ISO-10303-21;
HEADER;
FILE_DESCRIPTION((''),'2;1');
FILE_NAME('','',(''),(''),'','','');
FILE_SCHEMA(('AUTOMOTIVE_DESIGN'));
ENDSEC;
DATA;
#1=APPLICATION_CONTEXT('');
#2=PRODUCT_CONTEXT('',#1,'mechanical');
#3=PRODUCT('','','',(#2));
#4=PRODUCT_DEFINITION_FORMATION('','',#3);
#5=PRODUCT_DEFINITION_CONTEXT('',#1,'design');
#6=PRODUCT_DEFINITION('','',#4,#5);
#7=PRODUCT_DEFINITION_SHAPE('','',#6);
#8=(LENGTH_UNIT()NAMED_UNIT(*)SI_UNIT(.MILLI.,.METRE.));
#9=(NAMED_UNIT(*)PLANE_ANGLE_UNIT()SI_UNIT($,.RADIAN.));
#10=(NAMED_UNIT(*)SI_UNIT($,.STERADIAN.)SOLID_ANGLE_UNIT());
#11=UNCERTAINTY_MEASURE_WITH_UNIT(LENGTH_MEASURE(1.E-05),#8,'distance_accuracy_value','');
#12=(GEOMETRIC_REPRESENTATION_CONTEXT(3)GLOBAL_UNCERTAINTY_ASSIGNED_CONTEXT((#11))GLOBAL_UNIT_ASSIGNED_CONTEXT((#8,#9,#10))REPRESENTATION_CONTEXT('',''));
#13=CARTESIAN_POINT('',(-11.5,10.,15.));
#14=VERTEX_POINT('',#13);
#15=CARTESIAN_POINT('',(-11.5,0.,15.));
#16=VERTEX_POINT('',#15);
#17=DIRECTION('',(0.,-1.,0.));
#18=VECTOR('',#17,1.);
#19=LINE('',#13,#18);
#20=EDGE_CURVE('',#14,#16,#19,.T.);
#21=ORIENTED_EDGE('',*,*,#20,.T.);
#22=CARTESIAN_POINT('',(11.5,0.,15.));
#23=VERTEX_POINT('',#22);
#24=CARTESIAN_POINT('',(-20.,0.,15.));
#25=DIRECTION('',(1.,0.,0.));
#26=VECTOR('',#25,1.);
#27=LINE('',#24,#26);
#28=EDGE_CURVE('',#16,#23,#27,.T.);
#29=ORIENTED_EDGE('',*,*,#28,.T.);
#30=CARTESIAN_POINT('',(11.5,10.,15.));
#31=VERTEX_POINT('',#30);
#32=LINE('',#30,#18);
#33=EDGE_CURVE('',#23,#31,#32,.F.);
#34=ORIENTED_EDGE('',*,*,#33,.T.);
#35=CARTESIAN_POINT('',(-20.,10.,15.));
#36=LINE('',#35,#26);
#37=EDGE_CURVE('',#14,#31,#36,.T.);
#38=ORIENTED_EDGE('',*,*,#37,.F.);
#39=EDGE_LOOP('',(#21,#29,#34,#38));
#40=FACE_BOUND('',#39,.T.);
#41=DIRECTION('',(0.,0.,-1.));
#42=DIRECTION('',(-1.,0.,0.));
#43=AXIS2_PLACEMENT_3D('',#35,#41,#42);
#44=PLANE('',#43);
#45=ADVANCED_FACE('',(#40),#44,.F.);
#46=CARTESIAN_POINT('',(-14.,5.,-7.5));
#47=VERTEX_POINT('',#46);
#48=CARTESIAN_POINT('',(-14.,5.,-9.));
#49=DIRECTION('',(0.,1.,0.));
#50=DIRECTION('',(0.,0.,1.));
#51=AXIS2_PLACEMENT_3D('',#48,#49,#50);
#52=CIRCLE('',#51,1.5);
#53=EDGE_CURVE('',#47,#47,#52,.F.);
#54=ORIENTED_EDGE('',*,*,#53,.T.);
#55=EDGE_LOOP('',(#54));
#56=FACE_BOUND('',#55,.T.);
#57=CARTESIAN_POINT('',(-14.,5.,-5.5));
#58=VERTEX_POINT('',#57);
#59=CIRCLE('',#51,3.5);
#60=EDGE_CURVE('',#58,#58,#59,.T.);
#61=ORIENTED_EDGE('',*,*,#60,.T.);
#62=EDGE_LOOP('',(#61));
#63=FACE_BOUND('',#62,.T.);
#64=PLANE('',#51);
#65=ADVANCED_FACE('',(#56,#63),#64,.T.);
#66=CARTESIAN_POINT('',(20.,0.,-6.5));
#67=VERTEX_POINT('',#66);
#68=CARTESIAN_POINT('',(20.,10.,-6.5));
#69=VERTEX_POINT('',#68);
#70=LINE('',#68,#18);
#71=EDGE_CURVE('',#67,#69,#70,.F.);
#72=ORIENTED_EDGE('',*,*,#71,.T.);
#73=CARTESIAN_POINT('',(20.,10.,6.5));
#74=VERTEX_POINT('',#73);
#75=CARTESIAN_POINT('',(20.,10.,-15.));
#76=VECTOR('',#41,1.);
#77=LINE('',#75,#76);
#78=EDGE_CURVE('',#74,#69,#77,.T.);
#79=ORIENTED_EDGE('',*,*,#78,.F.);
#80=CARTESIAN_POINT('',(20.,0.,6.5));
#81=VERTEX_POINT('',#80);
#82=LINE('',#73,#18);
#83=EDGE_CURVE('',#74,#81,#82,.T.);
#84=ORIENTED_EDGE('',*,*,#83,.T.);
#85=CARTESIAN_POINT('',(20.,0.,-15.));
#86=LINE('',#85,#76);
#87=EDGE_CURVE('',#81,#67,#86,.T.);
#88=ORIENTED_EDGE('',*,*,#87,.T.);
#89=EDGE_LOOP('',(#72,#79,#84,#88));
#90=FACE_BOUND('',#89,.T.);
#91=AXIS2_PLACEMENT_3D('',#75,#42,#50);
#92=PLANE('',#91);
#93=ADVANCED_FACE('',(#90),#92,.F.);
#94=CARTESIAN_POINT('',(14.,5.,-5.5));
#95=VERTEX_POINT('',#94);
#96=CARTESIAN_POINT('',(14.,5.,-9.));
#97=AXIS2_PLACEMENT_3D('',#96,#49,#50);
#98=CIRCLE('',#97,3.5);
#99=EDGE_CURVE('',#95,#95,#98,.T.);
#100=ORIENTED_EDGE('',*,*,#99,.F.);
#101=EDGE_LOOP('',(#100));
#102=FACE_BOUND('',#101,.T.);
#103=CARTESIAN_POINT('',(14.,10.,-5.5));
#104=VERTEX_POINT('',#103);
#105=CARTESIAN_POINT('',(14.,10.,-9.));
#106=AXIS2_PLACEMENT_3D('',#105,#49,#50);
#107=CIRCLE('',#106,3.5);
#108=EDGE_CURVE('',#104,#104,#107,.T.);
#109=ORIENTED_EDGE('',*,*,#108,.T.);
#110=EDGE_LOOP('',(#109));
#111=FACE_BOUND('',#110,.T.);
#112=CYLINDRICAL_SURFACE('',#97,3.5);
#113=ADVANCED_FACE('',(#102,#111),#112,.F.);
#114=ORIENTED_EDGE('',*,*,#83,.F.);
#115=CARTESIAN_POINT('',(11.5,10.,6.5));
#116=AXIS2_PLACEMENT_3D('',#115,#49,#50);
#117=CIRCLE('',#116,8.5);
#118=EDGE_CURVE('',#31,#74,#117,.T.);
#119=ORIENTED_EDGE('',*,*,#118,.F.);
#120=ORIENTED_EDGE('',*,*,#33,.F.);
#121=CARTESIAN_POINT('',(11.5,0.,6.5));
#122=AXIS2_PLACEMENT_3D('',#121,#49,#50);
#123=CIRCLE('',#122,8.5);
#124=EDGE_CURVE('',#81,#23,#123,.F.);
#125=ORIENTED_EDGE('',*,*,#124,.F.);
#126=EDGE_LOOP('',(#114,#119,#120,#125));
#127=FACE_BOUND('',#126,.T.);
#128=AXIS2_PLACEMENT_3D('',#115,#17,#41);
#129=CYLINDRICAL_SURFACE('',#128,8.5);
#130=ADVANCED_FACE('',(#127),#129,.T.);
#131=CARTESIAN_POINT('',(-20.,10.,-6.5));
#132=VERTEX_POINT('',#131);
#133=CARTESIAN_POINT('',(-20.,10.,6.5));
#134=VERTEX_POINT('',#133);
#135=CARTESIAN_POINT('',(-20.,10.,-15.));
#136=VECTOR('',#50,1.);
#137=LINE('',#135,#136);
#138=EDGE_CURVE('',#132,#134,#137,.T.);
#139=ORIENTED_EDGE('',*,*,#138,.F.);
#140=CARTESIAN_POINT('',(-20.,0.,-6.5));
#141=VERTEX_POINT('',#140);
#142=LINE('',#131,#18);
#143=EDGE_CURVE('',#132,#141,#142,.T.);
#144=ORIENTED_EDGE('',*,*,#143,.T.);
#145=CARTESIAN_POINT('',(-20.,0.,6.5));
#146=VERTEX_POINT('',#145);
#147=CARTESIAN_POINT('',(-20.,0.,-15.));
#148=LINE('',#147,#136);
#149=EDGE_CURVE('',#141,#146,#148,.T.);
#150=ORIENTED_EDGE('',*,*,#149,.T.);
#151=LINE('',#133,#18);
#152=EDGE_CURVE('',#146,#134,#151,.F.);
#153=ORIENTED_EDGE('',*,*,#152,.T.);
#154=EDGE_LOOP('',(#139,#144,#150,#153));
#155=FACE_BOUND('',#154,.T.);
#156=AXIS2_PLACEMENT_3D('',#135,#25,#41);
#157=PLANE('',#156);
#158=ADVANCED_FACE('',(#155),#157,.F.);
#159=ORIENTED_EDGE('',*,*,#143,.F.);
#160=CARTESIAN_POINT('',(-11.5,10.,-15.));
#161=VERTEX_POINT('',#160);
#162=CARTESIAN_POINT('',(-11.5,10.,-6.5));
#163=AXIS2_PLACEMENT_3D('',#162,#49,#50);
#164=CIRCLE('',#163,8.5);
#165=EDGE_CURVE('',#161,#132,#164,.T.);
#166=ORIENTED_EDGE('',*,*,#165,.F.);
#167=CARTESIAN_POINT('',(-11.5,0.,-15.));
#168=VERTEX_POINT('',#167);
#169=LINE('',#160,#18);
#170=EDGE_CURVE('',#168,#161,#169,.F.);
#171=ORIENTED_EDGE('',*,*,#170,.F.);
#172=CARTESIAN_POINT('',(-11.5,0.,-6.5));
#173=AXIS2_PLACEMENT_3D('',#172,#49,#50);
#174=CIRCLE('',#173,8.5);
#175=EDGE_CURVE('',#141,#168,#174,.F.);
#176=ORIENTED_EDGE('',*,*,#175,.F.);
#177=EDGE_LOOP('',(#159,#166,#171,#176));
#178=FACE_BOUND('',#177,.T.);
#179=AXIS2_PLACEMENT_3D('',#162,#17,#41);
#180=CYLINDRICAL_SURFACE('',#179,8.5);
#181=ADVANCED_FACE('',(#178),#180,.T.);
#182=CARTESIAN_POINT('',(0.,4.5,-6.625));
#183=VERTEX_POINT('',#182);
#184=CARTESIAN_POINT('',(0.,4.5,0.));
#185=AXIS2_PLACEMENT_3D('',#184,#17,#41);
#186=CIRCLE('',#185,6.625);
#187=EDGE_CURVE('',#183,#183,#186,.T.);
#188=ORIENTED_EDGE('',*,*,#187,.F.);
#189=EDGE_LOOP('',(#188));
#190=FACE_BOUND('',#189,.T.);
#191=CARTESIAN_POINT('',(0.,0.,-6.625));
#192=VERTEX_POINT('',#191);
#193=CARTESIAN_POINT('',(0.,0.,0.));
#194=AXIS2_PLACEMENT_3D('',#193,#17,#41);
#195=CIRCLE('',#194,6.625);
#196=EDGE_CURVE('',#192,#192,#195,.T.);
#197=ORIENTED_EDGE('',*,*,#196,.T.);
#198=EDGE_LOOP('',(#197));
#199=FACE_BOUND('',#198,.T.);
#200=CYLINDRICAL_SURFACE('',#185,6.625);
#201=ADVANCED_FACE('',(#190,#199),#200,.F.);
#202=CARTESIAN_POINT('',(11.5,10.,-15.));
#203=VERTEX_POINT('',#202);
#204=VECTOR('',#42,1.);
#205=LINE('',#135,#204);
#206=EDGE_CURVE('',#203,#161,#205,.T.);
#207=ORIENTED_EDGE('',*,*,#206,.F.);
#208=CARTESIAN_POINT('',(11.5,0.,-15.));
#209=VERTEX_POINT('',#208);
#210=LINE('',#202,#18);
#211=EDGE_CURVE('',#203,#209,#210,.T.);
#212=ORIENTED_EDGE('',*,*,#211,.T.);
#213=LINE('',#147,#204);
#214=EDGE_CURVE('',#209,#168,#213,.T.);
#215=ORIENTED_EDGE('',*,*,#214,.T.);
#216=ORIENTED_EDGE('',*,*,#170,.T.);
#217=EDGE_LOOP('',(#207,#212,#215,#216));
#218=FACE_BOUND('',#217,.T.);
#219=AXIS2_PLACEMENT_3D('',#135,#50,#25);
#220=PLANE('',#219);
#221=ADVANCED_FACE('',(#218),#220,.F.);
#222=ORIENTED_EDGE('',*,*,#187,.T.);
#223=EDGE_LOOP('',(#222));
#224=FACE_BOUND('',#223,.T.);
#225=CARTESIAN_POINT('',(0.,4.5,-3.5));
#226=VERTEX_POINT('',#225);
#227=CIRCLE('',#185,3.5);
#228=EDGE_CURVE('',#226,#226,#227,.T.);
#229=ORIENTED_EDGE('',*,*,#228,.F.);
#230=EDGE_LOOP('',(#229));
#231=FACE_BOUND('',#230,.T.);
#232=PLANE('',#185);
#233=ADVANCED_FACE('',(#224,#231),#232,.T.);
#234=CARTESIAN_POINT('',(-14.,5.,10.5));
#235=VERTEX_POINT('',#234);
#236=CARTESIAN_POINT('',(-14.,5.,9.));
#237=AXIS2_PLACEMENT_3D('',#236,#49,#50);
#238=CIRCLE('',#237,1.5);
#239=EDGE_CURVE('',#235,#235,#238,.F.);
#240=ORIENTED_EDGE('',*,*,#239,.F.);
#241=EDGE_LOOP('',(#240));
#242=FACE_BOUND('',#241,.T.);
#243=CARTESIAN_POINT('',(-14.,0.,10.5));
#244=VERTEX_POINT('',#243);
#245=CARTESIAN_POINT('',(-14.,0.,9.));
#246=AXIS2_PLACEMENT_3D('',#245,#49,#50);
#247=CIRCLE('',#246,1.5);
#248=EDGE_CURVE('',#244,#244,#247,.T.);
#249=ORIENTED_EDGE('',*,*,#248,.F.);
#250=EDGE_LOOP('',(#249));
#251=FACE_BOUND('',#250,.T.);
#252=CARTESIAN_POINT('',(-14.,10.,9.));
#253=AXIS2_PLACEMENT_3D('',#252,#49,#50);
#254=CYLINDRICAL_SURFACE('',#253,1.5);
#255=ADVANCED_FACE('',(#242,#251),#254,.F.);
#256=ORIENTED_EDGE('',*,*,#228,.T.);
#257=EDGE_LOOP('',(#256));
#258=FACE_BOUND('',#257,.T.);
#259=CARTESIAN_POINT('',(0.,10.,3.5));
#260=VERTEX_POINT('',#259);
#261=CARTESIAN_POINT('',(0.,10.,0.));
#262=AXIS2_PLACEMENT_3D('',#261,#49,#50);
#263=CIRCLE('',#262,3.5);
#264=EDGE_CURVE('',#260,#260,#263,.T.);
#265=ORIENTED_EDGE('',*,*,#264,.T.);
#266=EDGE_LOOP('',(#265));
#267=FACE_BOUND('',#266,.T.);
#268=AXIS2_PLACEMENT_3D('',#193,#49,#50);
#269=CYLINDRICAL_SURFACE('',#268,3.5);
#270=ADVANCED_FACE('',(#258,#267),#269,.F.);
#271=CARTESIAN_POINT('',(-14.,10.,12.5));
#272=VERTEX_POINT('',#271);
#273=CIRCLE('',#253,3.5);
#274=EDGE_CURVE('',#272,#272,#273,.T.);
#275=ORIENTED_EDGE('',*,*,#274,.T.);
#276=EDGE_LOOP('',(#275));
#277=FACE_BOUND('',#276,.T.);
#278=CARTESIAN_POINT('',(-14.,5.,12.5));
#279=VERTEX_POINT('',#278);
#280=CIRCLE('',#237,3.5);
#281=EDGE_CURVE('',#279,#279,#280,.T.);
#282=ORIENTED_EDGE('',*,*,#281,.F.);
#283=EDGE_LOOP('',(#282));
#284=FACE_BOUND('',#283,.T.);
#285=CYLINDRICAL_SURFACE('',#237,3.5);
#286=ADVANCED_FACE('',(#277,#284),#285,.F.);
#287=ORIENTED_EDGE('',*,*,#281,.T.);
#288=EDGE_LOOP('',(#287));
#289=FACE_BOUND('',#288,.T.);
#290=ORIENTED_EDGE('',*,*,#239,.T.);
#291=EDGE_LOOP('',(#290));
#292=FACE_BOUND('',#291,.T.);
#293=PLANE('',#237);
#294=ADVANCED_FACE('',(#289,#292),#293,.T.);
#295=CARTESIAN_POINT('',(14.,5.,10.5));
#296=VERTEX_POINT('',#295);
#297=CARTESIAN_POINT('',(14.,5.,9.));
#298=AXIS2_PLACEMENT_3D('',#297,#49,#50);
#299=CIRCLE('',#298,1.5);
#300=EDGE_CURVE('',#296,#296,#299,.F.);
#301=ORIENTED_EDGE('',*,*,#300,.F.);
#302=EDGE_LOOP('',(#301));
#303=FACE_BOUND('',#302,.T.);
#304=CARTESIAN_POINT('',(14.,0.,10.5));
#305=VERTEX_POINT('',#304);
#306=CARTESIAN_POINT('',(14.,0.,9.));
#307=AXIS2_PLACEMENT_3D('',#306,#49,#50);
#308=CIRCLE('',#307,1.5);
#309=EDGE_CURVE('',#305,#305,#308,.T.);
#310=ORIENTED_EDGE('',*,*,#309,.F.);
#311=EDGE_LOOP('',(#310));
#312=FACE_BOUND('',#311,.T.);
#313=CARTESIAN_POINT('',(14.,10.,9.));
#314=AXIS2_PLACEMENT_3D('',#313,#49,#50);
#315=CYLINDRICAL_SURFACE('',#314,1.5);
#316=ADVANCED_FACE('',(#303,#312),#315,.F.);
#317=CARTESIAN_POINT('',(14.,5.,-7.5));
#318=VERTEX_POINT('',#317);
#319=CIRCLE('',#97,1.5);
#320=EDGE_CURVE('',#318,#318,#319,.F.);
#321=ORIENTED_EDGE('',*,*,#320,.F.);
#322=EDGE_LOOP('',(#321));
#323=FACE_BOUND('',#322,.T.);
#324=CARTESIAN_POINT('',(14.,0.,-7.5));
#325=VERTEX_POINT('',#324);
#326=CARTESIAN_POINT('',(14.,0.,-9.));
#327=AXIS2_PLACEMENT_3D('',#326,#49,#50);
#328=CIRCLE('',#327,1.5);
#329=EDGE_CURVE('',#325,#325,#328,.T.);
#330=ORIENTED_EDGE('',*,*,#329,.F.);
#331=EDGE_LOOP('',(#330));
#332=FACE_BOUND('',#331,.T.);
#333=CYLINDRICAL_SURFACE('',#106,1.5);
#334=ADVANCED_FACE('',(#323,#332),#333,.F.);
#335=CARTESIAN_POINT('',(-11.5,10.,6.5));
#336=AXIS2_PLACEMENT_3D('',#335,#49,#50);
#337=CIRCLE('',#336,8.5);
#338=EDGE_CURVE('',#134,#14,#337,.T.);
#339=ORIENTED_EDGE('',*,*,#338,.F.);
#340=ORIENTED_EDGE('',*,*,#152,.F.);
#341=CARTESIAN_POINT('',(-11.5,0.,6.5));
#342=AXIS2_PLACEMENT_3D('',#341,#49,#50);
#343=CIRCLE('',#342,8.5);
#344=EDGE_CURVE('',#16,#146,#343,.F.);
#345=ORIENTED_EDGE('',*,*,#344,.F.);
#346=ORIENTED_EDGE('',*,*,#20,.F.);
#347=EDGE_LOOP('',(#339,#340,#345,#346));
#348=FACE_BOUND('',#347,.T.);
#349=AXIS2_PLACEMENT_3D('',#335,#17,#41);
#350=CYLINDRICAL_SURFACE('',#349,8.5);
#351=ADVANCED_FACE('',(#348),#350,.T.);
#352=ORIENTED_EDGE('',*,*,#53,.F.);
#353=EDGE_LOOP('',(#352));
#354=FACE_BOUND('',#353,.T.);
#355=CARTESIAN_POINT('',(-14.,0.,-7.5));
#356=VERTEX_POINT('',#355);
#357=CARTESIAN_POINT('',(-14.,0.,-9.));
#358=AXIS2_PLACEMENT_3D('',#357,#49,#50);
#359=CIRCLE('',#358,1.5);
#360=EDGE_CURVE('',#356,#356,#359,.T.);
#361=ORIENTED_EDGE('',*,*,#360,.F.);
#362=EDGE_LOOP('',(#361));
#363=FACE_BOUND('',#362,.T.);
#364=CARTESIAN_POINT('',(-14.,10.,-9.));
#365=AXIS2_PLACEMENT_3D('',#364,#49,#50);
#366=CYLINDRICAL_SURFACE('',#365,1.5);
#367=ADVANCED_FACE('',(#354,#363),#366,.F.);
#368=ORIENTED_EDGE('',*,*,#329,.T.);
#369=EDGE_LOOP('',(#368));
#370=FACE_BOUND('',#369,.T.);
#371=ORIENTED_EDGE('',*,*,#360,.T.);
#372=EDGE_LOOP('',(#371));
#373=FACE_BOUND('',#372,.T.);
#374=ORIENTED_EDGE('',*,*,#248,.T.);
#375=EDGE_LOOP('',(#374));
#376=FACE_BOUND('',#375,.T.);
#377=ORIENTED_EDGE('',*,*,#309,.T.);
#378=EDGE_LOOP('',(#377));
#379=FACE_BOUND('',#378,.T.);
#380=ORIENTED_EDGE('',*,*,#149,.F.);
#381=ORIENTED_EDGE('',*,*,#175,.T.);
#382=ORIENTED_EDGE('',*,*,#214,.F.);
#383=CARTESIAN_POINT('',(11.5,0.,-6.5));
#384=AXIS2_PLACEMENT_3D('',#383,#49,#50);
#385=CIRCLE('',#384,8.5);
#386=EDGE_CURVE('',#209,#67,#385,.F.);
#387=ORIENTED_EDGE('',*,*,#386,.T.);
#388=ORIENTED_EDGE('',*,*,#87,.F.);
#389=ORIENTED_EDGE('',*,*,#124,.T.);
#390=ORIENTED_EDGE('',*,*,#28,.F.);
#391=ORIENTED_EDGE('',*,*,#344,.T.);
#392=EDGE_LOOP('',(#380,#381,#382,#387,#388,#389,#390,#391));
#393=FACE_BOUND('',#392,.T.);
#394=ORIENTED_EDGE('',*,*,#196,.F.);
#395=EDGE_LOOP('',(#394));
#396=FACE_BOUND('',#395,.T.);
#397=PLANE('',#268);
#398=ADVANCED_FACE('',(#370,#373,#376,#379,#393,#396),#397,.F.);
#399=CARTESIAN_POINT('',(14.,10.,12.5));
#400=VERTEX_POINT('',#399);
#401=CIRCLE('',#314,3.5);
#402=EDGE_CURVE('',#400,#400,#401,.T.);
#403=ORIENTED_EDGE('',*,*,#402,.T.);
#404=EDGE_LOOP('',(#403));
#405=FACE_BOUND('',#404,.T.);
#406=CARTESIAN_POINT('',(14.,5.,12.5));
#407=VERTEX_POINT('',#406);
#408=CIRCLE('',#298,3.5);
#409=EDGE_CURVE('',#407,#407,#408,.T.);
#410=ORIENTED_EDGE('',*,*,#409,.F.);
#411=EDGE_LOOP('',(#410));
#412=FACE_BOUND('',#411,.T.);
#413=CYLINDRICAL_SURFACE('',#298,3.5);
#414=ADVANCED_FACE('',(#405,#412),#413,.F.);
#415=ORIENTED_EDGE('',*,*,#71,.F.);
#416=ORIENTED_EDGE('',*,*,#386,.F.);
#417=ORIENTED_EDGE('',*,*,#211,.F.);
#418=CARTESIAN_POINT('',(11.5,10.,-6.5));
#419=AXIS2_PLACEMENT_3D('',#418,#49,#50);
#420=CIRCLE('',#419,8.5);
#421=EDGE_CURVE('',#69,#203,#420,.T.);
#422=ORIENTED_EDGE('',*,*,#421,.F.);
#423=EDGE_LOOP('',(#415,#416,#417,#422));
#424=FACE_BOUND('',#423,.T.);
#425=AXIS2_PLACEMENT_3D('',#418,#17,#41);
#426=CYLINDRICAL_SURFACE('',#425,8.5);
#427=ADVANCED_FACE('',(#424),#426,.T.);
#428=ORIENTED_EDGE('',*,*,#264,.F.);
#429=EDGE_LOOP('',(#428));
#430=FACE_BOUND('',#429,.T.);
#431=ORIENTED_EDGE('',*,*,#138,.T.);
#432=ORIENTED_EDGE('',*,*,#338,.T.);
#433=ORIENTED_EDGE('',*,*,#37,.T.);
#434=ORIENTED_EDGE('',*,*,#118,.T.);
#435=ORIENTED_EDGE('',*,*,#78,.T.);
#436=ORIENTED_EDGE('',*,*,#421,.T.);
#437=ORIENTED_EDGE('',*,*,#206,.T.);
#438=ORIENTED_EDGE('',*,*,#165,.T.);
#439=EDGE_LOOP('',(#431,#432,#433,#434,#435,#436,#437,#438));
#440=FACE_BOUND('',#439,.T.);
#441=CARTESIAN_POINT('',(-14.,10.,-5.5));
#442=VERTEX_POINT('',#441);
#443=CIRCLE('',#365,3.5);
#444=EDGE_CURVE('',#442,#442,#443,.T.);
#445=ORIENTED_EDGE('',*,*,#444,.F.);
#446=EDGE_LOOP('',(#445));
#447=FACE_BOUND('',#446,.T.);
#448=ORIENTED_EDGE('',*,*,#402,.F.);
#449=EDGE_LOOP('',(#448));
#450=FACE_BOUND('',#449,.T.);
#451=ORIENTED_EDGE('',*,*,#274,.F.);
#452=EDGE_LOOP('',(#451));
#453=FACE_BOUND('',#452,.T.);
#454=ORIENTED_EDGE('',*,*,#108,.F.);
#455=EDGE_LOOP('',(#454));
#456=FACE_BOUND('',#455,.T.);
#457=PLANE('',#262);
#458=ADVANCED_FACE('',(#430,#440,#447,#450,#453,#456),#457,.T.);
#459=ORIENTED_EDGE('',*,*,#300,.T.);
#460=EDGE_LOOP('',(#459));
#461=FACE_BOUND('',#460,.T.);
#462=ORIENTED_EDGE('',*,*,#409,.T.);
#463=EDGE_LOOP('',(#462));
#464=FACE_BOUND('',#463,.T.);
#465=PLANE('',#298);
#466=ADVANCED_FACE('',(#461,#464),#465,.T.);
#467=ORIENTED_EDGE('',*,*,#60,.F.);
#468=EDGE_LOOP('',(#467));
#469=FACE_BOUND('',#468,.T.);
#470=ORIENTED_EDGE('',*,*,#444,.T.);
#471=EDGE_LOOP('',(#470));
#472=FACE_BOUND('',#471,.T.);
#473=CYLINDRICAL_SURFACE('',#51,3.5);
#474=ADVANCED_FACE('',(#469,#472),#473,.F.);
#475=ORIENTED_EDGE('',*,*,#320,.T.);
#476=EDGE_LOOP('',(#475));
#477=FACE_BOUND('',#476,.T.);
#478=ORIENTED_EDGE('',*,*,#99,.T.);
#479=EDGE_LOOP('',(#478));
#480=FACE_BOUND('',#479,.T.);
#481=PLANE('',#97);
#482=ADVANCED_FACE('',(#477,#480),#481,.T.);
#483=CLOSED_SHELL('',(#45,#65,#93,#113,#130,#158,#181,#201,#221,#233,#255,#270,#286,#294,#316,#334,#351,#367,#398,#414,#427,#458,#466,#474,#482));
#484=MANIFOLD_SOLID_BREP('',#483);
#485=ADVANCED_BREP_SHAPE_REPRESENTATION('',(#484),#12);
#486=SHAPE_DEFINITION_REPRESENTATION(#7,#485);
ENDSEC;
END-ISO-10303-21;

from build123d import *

# Parameters (mm, degrees)
SKETCH1_W             = 40
SKETCH1_H             = 30
BOSS_EXTRUDE1_DEPTH   = 10
SKETCH3_R             = 6.625
CUT_EXTRUDE1_DEPTH    = 4.5
SKETCH4_R             = 3.5
CUT_EXTRUDE2_DEPTH    = 27.925824036
F_3_0MM_DOWEL_HOLE1_D = 3
FILLET1_R             = 8.5
SKETCH9_R             = 3.5
CUT_EXTRUDE3_DEPTH    = 5


with BuildPart() as part:
    # Sketch1 → Boss-Extrude1 (new body)
    with BuildSketch(Plane(origin=(0, 0, 0), x_dir=(1, 0, 0), z_dir=(0, 1, 0))):
        Rectangle(SKETCH1_W, SKETCH1_H)
    extrude(amount=BOSS_EXTRUDE1_DEPTH)

    # Sketch3 → Cut-Extrude1 (cut)
    with BuildSketch(Plane.XZ):
        with Locations(Location((0, 0, 0), (0, 0, 270))):
            Circle(SKETCH3_R)
    extrude(amount=-CUT_EXTRUDE1_DEPTH, mode=Mode.SUBTRACT)

    # Sketch4 → Cut-Extrude2 (cut, through all)
    with BuildSketch(Plane(origin=(0, 10, 0), x_dir=(1, 0, 0), z_dir=(0, 1, 0))):
        with Locations(Location((0, 0, 0), (0, 0, 270))):
            Circle(SKETCH4_R)
    extrude(amount=-CUT_EXTRUDE2_DEPTH, mode=Mode.SUBTRACT)

    # Ø3.0mm Dowel Hole1 (through all)
    with Locations(Plane(origin=(0, 10, 0), x_dir=(1, 0, 0), z_dir=(0, 1, 0))):
        with Locations((-14, 9), (-14, -9), (14, -9), (14, 9)):
            Hole(F_3_0MM_DOWEL_HOLE1_D / 2)

    # Fillet1
    fillet1_edges = [part.edges().sort_by_distance(p)[0] for p in [
        (20, 5, 15),
        (-20, 5, 15),
        (-20, 5, -15),
        (20, 5, -15),
    ]]
    fillet(fillet1_edges, radius=FILLET1_R)

    # Sketch9 → Cut-Extrude3 (cut)
    with BuildSketch(Plane(origin=(0, 10, 0), x_dir=(1, 0, 0), z_dir=(0, 1, 0))):
        with Locations(Location((14, -9, 0), (0, 0, 270))):
            Circle(SKETCH9_R)
        with Locations(Location((-14, -9, 0), (0, 0, 270))):
            Circle(SKETCH9_R)
        with Locations(Location((-14, 9, 0), (0, 0, 270))):
            Circle(SKETCH9_R)
        with Locations(Location((14, 9, 0), (0, 0, 270))):
            Circle(SKETCH9_R)
    extrude(amount=-CUT_EXTRUDE3_DEPTH, mode=Mode.SUBTRACT)


solid = part.part
